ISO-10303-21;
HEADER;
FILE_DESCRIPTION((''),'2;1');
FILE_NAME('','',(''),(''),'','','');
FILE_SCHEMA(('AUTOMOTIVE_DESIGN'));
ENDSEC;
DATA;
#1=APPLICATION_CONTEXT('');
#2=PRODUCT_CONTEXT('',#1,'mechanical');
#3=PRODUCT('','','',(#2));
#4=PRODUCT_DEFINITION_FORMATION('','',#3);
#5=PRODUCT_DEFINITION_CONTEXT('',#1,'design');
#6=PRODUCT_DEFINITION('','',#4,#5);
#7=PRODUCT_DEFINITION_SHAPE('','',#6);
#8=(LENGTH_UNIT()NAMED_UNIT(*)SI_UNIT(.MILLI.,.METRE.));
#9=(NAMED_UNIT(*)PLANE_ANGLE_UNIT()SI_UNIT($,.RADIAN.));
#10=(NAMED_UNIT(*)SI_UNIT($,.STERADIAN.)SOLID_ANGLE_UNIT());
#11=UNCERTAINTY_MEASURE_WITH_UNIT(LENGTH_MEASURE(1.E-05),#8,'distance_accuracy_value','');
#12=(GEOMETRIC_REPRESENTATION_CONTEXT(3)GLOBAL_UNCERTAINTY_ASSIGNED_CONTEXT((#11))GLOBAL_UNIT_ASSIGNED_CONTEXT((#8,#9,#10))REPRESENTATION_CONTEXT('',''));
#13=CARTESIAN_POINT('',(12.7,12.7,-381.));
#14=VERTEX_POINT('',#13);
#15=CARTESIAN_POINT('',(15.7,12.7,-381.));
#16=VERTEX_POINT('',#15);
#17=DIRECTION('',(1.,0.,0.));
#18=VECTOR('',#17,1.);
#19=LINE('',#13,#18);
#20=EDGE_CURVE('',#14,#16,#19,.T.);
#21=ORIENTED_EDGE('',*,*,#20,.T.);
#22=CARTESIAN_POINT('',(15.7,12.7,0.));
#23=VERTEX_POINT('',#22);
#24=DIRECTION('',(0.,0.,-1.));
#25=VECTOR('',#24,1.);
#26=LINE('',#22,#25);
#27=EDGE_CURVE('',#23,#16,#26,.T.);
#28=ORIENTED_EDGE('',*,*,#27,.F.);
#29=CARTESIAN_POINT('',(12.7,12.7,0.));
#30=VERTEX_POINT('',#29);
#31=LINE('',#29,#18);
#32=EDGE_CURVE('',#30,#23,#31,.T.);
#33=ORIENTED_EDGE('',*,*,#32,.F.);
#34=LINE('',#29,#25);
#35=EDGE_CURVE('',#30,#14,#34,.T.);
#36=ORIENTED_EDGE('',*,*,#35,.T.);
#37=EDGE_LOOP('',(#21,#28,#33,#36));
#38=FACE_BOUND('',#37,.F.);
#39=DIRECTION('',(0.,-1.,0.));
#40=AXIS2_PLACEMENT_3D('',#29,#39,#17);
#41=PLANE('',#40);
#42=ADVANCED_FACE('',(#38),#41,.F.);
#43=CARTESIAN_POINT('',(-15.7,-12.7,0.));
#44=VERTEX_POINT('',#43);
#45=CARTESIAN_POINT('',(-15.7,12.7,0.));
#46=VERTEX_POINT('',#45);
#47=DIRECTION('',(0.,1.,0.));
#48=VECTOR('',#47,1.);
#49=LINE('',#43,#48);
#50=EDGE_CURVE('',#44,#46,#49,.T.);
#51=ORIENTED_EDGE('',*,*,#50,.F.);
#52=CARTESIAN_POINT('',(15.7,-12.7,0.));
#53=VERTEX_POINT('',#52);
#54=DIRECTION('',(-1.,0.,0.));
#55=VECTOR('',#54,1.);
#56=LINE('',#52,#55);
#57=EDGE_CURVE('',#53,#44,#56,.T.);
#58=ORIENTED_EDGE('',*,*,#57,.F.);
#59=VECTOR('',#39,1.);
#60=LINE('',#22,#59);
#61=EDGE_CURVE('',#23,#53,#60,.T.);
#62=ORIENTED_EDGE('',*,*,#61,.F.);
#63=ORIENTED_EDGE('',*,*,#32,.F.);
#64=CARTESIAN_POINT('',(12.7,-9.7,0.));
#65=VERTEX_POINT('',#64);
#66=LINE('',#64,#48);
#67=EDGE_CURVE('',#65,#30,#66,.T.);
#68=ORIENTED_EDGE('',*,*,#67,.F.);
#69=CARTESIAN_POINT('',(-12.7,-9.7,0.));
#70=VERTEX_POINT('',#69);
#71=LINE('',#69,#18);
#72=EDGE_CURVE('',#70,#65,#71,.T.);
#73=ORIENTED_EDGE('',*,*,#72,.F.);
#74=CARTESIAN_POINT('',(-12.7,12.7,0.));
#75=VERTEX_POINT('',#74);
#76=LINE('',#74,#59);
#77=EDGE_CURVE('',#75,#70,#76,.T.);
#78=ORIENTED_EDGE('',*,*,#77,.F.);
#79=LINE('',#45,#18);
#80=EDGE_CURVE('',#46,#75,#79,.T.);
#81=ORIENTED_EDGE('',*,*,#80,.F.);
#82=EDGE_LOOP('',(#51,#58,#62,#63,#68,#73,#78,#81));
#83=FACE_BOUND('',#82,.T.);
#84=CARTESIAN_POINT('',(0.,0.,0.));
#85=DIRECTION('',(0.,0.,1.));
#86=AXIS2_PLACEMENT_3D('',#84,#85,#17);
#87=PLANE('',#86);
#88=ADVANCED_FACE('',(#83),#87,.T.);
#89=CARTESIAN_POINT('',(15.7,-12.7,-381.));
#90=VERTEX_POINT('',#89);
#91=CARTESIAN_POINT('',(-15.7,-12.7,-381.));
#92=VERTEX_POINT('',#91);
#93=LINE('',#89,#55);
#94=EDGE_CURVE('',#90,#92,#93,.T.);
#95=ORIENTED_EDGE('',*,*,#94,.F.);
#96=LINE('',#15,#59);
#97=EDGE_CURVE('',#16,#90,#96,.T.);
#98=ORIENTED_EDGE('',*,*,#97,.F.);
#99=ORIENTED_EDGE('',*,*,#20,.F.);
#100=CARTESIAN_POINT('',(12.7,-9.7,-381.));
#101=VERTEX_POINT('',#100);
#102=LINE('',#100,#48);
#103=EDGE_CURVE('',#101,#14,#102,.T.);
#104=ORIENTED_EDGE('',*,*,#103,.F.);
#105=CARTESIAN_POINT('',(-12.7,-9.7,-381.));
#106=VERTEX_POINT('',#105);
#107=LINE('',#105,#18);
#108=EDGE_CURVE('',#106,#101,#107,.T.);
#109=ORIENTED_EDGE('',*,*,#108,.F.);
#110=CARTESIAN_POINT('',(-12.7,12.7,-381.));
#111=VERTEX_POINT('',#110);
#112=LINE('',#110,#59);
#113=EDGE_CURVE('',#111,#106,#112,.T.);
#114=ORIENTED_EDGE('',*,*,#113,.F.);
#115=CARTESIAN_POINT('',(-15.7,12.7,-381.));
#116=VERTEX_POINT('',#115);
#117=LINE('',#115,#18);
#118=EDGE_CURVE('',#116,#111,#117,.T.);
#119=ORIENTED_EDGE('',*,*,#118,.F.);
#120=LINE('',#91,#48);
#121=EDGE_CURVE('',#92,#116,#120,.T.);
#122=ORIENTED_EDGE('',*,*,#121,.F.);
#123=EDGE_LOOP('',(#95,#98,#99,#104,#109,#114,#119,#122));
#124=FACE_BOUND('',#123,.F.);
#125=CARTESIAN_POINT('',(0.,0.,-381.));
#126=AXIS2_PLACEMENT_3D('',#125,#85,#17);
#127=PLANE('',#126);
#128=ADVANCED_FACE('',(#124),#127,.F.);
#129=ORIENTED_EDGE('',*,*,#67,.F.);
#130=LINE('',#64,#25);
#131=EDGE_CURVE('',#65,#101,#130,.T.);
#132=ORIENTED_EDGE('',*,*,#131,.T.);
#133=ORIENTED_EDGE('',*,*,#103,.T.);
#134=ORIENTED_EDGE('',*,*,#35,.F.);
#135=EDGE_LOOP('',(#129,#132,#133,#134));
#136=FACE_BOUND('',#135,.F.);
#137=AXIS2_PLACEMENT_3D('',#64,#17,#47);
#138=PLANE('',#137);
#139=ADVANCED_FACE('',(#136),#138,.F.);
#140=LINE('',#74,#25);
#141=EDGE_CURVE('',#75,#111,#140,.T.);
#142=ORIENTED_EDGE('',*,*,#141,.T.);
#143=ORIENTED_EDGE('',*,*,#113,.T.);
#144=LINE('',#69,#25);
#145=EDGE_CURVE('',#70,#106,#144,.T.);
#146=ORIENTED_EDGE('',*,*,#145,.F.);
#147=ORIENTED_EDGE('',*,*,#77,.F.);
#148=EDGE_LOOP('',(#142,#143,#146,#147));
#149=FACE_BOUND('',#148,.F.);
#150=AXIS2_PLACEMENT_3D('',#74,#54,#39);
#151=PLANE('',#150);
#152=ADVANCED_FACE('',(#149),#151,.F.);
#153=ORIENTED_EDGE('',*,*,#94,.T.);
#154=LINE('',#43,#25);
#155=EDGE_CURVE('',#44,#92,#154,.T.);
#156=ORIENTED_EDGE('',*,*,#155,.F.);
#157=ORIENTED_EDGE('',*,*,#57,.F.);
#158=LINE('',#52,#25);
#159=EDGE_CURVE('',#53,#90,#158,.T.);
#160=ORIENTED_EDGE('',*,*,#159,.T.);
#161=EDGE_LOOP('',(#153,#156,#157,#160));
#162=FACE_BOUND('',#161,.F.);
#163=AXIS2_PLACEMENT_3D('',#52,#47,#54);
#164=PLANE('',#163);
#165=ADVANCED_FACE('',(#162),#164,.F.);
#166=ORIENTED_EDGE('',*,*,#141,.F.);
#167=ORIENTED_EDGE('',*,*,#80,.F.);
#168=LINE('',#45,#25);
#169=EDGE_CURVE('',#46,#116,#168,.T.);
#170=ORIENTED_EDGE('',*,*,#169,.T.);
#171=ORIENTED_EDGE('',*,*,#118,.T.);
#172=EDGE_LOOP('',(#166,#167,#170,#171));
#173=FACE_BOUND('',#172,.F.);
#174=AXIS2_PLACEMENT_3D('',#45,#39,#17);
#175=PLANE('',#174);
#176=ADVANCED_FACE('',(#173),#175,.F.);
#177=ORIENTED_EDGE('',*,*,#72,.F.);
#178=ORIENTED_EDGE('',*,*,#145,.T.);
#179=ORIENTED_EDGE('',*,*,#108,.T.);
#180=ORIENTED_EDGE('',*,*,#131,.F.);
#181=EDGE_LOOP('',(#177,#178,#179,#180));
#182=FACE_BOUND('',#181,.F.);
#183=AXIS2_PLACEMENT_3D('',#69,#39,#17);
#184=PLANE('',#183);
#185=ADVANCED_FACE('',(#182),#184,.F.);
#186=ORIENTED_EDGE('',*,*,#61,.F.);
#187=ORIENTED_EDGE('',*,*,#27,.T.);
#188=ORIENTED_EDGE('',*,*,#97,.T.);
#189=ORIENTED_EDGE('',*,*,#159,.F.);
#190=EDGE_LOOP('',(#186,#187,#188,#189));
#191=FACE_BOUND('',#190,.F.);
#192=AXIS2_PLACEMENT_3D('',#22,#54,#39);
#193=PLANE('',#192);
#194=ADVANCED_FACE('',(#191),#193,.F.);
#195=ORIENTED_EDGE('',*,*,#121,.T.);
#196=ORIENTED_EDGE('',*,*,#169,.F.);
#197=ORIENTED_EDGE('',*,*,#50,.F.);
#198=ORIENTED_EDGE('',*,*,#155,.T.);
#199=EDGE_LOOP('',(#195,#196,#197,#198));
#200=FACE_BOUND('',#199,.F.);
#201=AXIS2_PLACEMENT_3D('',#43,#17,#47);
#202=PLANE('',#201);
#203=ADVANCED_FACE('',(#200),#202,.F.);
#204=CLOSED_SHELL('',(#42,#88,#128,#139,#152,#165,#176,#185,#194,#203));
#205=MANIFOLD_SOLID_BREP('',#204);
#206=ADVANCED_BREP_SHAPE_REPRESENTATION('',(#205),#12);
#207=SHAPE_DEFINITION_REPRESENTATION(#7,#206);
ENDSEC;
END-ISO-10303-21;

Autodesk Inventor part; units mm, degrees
ref_plane "YZ Plane" through (0, 0, 0) normal (1, 0, 0) x (0, 1, 0)
ref_plane "XZ Plane" through (0, 0, 0) normal (0, 1, 0) x (-1, 0, 0)
ref_plane "XY Plane" through (0, 0, 0) normal (0, 0, 1) x (1, 0, 0)
sketch "Sketch1" plane through (0, 0, 0) normal (0, 0, 1) x (1, 0, 0)
  line L0 (-15.7, 12.7) -> (-12.7, 12.7)
  line L1 (-12.7, 12.7) -> (-12.7, -9.7)
  line L2 (-12.7, -9.7) -> (12.7, -9.7)
  line L3 (12.7, -9.7) -> (12.7, 12.7)
  line L4 (12.7, 12.7) -> (15.7, 12.7)
  line L5 (15.7, 12.7) -> (15.7, -12.7)
  line L6 (15.7, -12.7) -> (-15.7, -12.7)
  line L7 (-15.7, -12.7) -> (-15.7, 12.7)
  point P0 (0, 0)
  dimension "d0" = 3
  dimension "d2" = 3
  dimension "d3" = 25.4
  dimension "d4" = 31.4
  dimension "d5" = 15.7
  dimension "d7" = 12.7
  dimension "d8" = 3
extrude "Extrusion1" add sketch "Sketch1" against normal blind 381
equation "\"d2\" = d0"
equation "\"d5\" = 0.5 * d4"
equation "\"d7\" = 0.5 * d3"
equation "\"d8\" = d0"
properties part number "15in c channel"
